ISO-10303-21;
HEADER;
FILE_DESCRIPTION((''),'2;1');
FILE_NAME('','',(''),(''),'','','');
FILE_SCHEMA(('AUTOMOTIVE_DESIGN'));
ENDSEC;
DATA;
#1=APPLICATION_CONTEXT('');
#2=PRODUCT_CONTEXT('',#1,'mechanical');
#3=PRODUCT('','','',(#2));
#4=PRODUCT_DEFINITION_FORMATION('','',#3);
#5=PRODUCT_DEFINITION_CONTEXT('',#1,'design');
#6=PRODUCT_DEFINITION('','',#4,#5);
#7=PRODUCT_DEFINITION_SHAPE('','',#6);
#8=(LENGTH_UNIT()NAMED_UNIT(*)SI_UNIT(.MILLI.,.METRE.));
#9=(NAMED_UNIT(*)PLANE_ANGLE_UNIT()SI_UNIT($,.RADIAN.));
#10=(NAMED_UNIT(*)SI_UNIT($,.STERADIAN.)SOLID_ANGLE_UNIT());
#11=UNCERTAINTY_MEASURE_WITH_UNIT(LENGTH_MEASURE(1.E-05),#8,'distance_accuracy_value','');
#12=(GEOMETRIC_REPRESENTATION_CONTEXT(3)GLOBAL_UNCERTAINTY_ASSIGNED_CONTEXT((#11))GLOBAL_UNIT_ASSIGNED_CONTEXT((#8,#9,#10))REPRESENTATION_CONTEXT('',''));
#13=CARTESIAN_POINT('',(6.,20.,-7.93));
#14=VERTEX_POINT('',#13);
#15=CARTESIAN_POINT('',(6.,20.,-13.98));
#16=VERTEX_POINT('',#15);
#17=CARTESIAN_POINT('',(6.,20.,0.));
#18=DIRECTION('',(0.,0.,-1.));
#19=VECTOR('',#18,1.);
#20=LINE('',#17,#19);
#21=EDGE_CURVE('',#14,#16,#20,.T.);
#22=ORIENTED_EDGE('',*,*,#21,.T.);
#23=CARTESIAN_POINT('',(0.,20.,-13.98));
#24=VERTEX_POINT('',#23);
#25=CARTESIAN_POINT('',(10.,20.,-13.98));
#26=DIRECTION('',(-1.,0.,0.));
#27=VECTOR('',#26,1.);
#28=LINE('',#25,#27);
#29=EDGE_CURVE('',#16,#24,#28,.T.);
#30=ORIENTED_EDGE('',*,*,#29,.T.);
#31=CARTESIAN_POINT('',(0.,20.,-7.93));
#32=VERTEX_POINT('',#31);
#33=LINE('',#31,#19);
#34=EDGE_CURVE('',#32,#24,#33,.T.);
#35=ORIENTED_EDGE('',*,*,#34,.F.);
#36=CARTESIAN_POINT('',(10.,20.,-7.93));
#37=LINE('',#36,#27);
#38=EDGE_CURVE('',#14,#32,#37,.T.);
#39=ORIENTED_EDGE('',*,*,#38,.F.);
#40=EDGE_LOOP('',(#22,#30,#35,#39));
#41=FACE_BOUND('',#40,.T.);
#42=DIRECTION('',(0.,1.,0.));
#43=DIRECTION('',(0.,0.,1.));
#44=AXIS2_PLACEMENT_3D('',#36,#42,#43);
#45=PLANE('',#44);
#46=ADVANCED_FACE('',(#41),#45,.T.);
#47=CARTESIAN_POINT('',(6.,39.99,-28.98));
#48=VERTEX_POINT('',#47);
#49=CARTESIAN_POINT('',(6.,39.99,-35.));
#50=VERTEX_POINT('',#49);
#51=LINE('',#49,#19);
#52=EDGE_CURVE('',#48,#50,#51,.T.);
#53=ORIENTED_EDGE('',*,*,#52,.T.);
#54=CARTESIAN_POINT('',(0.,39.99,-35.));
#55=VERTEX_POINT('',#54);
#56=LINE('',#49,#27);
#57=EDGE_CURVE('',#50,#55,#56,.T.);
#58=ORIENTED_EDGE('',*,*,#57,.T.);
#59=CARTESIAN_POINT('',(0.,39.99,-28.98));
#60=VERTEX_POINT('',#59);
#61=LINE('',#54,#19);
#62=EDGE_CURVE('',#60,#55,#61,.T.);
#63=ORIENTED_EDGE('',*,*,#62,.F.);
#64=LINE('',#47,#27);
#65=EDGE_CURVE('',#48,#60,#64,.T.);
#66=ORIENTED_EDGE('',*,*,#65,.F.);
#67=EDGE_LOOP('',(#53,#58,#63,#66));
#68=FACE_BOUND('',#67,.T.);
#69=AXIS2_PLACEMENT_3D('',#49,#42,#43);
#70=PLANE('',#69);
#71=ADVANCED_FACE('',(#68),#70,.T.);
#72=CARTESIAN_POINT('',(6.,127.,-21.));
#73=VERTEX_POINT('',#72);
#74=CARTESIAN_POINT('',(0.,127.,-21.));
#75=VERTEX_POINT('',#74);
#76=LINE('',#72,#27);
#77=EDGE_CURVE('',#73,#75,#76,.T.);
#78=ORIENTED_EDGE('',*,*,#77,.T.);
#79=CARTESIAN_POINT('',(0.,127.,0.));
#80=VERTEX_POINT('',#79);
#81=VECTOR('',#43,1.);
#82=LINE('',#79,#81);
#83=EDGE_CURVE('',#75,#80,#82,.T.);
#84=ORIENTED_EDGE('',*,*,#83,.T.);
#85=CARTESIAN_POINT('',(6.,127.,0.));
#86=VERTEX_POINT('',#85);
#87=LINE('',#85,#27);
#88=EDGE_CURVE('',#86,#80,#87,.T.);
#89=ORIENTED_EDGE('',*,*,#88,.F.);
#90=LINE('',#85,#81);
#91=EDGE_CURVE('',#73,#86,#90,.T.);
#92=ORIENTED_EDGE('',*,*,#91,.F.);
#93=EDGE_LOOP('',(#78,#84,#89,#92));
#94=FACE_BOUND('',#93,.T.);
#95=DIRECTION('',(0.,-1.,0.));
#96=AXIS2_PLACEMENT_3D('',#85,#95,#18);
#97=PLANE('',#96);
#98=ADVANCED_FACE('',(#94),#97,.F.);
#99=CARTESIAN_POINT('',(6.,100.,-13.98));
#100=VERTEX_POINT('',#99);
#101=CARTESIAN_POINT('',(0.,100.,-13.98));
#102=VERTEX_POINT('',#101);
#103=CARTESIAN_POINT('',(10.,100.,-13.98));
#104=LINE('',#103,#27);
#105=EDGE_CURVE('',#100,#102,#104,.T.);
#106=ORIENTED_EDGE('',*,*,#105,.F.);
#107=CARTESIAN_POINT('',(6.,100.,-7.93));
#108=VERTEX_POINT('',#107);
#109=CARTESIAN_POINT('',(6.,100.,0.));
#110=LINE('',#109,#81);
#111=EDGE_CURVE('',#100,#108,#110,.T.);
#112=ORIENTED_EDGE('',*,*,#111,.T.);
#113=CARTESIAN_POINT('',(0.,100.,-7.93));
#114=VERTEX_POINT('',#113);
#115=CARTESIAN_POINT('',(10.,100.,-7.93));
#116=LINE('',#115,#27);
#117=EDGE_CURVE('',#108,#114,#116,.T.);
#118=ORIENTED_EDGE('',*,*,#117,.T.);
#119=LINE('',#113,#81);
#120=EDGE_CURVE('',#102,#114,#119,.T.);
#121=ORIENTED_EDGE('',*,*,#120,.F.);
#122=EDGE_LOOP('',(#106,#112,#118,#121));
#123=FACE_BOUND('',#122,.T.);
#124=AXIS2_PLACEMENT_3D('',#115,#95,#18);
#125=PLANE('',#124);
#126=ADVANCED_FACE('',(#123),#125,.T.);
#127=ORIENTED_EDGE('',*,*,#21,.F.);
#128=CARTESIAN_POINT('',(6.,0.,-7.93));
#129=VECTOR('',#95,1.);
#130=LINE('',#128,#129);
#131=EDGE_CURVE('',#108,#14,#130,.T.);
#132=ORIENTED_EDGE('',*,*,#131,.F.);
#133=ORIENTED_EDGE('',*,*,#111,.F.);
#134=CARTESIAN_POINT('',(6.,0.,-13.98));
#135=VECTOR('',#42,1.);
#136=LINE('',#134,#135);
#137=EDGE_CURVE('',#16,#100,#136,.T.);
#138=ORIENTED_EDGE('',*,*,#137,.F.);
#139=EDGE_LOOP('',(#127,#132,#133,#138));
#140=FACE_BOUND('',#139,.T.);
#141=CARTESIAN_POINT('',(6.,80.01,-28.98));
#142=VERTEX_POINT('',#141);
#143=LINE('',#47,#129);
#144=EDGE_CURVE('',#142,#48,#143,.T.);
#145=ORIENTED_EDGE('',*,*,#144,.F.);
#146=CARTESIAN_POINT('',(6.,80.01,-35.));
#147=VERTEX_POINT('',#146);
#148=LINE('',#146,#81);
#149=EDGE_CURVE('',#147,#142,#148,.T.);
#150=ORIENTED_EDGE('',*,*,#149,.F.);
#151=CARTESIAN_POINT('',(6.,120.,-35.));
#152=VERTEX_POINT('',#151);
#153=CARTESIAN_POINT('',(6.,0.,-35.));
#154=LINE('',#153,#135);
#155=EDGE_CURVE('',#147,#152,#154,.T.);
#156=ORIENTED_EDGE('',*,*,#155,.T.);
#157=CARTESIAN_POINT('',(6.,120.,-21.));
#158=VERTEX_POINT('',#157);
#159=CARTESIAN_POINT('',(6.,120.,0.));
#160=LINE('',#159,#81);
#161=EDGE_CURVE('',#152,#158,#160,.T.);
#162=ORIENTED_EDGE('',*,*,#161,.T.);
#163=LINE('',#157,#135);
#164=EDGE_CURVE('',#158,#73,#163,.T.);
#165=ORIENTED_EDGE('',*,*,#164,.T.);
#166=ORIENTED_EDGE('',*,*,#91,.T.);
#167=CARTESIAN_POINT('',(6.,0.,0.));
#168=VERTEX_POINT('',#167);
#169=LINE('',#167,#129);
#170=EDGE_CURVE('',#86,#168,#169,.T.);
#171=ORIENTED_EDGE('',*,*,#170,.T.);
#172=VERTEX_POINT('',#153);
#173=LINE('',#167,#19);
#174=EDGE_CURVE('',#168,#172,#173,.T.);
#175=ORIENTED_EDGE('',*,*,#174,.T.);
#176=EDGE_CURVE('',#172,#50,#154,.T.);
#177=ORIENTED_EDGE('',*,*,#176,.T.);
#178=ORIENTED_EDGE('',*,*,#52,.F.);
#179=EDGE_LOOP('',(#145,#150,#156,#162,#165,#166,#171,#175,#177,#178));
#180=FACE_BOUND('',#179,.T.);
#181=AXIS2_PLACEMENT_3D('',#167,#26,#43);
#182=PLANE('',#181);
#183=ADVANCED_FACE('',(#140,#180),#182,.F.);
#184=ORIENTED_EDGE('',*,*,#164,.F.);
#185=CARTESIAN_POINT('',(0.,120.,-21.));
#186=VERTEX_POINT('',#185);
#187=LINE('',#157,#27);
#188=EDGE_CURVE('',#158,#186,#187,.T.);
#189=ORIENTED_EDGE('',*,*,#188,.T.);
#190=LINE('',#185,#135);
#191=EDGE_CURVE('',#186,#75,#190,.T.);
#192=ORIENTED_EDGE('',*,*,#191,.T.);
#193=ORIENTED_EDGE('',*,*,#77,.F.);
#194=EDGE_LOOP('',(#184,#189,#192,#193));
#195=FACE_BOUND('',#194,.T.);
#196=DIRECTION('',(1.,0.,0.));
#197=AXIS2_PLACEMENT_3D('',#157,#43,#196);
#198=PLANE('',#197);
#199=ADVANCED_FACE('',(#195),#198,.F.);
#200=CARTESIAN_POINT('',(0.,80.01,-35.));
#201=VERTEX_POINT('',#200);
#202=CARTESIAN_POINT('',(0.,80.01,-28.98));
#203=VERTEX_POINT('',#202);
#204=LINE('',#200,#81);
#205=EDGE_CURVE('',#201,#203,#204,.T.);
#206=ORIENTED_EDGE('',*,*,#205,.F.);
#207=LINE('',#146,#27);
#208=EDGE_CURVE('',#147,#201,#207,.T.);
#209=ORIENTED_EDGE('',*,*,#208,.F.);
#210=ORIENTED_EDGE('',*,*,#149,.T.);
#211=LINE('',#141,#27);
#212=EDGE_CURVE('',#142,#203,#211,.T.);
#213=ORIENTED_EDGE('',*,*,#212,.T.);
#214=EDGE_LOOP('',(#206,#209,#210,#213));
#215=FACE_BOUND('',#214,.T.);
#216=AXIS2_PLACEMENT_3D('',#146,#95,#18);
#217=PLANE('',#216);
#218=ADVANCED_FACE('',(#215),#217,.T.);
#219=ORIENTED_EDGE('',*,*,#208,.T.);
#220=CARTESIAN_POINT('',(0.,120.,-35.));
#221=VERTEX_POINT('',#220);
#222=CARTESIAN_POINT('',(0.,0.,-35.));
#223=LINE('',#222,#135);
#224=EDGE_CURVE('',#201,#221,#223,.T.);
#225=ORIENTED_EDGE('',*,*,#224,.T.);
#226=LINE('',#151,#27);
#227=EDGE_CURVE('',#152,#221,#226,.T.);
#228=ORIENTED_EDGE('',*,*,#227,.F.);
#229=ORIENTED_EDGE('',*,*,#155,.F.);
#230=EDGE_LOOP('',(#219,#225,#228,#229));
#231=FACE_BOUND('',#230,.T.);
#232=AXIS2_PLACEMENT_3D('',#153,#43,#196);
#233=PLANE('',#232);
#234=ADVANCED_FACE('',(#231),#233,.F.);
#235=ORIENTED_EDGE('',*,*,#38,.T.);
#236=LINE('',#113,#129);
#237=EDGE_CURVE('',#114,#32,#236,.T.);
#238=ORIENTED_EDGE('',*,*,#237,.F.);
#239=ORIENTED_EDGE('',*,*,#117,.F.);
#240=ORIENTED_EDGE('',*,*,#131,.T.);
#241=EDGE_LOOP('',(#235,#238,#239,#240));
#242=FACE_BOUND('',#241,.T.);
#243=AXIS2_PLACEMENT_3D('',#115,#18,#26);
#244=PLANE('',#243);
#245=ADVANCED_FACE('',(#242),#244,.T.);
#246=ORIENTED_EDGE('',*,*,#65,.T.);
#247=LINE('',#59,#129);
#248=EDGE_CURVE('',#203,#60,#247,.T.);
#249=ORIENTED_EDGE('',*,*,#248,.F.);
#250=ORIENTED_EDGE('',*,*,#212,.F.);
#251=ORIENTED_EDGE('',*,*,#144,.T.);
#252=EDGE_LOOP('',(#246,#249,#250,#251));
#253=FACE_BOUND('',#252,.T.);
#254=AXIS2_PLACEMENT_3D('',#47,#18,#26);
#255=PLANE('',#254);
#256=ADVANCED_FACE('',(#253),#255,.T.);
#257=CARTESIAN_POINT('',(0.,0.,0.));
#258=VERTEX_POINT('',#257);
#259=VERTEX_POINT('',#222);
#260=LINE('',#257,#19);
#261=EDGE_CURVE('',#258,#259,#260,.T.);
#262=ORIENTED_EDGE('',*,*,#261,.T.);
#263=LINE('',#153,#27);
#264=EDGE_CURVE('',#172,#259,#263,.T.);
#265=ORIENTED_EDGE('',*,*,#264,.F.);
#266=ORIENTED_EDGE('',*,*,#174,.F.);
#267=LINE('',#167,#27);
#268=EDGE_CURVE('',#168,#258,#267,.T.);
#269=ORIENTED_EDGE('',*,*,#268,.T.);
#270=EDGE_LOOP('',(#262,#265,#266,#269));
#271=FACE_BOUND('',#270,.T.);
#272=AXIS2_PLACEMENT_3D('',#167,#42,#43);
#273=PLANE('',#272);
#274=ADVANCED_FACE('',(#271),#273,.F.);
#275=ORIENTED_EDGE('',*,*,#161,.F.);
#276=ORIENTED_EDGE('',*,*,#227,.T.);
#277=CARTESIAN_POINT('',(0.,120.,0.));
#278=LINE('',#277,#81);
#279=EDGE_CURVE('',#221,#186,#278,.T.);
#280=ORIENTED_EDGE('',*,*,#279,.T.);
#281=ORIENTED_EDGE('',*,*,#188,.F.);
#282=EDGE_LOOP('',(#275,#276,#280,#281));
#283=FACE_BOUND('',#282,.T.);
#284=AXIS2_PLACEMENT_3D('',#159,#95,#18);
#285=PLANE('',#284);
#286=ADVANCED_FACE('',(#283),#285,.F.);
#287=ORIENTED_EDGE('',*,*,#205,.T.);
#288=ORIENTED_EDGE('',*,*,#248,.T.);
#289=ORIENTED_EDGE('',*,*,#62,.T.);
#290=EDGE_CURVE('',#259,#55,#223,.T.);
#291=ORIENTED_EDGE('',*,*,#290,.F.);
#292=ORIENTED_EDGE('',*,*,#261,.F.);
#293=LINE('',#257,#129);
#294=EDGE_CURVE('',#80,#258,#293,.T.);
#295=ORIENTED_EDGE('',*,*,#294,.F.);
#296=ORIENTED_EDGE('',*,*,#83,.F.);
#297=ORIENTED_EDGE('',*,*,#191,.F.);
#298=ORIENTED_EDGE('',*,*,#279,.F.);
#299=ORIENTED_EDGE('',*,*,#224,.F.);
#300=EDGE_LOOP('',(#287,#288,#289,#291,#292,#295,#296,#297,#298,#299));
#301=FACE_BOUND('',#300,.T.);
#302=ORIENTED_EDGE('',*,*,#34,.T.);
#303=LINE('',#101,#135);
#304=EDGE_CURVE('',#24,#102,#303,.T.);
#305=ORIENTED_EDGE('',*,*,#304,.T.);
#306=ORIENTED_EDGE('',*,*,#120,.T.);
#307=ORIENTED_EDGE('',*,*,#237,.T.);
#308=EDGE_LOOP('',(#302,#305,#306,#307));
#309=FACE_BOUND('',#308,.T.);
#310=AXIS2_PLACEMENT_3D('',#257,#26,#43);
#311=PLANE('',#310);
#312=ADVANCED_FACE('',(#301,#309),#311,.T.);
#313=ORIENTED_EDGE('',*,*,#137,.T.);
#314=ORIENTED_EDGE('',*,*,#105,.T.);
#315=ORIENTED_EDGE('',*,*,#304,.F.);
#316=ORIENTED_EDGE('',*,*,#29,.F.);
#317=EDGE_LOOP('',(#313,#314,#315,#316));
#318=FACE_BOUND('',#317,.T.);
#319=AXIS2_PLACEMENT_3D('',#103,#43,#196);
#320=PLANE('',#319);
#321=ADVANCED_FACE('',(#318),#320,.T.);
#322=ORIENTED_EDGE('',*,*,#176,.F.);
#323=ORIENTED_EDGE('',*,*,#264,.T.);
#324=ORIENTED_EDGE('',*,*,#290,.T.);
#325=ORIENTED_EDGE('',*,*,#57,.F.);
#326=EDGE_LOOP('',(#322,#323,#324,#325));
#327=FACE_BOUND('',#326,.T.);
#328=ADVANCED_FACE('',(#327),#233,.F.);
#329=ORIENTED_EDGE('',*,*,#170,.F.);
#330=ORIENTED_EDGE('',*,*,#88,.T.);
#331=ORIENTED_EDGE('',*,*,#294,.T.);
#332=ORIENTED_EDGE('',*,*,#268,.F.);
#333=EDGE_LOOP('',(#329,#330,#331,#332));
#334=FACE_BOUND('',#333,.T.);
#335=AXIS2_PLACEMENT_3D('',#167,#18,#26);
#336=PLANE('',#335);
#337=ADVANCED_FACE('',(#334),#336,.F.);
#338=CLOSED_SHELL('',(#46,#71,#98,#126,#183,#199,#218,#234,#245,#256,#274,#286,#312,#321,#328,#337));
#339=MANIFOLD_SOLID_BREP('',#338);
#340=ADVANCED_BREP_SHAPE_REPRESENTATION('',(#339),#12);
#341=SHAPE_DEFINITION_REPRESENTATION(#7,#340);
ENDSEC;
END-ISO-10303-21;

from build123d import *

# Parameters (mm, degrees)
CROQUIS1_W              = 35
CROQUIS1_H              = 120
SALIENTE_EXTRUIR1_DEPTH = 6
CROQUIS3_W              = 6.02
CROQUIS3_H              = 40.02
CORTAR_EXTRUIR1_DEPTH   = 126.143917151
CROQUIS4_W              = 6.05
CROQUIS4_H              = 80
CORTAR_EXTRUIR2_DEPTH   = 10
CROQUIS5_W              = 21
CROQUIS5_H              = 7
SALIENTE_EXTRUIR2_DEPTH = 6


with BuildPart() as part:
    # Croquis1 → Saliente-Extruir1 (new body)
    with BuildSketch(Plane(origin=(0, 0, 0), x_dir=(0, 0, -1), z_dir=(1, 0, 0))):
        with Locations((17.5, 60)):
            Rectangle(CROQUIS1_W, CROQUIS1_H)
    extrude(amount=SALIENTE_EXTRUIR1_DEPTH)

    # Croquis3 → Cortar-Extruir1 (cut, through all)
    with BuildSketch(Plane(origin=(0, 0, 0), x_dir=(0, 0, -1), z_dir=(1, 0, 0))):
        with Locations((31.99, 60)):
            Rectangle(CROQUIS3_W, CROQUIS3_H)
    extrude(amount=CORTAR_EXTRUIR1_DEPTH, mode=Mode.SUBTRACT)

    # Croquis4 → Cortar-Extruir2 (cut)
    with BuildSketch(Plane(origin=(0, 0, 0), x_dir=(0, 0, -1), z_dir=(1, 0, 0))):
        with Locations((10.955, 60)):
            Rectangle(CROQUIS4_W, CROQUIS4_H)
    extrude(amount=CORTAR_EXTRUIR2_DEPTH, mode=Mode.SUBTRACT)

    # Croquis5 → Saliente-Extruir2 (add)
    with BuildSketch(Plane(origin=(0, 0, 0), x_dir=(0, 0, -1), z_dir=(1, 0, 0))):
        with Locations((10.5, 123.5)):
            Rectangle(CROQUIS5_W, CROQUIS5_H)
    extrude(amount=SALIENTE_EXTRUIR2_DEPTH)


solid = part.part
